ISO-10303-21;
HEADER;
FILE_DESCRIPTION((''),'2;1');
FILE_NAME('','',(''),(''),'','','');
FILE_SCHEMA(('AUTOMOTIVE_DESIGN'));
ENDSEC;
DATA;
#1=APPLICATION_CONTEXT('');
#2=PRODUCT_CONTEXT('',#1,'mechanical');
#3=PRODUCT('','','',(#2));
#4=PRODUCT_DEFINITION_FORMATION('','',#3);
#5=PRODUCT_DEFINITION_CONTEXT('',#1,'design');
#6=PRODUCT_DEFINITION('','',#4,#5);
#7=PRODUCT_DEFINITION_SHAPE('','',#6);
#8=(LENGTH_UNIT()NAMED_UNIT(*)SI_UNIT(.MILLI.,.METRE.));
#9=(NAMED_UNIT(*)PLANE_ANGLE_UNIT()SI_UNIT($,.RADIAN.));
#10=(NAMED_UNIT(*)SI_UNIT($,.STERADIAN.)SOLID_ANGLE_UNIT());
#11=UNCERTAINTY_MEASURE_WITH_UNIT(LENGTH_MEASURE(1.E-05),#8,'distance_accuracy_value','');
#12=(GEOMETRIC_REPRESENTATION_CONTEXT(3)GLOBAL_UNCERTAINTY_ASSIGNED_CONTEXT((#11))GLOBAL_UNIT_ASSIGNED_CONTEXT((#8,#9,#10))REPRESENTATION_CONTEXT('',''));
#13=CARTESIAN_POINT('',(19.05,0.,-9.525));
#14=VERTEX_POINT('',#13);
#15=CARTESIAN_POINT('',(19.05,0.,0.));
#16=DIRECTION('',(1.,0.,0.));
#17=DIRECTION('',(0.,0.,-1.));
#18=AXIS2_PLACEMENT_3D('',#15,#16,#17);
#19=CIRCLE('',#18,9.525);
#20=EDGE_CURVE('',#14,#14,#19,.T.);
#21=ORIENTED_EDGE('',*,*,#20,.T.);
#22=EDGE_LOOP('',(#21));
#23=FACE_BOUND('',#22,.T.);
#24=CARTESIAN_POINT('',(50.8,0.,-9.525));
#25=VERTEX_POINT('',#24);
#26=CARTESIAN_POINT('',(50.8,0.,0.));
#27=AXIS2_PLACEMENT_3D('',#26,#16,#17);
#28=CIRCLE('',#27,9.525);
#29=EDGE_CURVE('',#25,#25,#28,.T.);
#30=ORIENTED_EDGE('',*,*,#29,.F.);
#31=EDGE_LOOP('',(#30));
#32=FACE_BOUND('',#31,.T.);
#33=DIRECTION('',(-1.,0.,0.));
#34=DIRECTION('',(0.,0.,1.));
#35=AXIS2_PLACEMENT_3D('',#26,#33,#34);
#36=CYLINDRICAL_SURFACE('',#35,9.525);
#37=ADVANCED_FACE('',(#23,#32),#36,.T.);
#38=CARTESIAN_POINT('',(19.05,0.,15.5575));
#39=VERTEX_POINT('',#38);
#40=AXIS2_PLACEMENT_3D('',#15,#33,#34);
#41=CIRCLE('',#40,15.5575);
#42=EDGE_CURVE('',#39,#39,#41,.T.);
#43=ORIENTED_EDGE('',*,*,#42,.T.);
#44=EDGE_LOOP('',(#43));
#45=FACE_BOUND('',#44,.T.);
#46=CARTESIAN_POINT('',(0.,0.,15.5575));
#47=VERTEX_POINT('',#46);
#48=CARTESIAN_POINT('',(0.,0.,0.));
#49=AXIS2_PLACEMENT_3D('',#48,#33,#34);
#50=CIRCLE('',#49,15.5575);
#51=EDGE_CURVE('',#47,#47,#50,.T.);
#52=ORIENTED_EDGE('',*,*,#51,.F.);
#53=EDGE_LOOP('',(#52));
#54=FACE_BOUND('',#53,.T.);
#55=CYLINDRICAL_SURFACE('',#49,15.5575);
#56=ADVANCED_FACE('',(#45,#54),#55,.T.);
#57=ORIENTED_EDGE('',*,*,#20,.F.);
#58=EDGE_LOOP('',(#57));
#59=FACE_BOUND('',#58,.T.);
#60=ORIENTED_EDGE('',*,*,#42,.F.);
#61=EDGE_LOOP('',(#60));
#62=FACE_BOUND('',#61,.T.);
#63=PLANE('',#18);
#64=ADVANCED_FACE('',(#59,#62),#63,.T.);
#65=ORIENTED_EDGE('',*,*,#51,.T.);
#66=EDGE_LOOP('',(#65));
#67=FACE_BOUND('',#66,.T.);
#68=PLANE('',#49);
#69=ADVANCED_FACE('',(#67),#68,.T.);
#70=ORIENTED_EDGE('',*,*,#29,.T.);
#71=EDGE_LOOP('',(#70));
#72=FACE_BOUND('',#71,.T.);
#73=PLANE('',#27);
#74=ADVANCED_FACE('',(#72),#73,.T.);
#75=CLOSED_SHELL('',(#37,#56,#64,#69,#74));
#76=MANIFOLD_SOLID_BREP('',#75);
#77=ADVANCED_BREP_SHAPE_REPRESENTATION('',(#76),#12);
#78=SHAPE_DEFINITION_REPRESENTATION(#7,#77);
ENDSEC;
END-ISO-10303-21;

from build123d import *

# Parameters (mm, degrees)
SKETCH4_R           = 9.525
BOSS_EXTRUDE1_DEPTH = 31.75


with BuildPart() as part:
    # Sketch1 → Revolve1 (revolve)
    with BuildSketch(Plane(origin=(0, 0, 0), x_dir=(1, 0, 0), z_dir=(0, 1, 0))):
        Polygon((19.05, 15.5575), (19.05, 0), (0, 0), (0, 15.5575), (0.79, 15.5575), (8.73, 15.5575), align=None)
    revolve(axis=Axis((0, 0, 0), (1, 0, 0)))

    # Sketch4 → Boss-Extrude1 (add)
    with BuildSketch(Plane(origin=(19.05, 0, 0), x_dir=(0, 0, -1), z_dir=(1, 0, 0))):
        Circle(SKETCH4_R)
    extrude(amount=BOSS_EXTRUDE1_DEPTH)


solid = part.part
